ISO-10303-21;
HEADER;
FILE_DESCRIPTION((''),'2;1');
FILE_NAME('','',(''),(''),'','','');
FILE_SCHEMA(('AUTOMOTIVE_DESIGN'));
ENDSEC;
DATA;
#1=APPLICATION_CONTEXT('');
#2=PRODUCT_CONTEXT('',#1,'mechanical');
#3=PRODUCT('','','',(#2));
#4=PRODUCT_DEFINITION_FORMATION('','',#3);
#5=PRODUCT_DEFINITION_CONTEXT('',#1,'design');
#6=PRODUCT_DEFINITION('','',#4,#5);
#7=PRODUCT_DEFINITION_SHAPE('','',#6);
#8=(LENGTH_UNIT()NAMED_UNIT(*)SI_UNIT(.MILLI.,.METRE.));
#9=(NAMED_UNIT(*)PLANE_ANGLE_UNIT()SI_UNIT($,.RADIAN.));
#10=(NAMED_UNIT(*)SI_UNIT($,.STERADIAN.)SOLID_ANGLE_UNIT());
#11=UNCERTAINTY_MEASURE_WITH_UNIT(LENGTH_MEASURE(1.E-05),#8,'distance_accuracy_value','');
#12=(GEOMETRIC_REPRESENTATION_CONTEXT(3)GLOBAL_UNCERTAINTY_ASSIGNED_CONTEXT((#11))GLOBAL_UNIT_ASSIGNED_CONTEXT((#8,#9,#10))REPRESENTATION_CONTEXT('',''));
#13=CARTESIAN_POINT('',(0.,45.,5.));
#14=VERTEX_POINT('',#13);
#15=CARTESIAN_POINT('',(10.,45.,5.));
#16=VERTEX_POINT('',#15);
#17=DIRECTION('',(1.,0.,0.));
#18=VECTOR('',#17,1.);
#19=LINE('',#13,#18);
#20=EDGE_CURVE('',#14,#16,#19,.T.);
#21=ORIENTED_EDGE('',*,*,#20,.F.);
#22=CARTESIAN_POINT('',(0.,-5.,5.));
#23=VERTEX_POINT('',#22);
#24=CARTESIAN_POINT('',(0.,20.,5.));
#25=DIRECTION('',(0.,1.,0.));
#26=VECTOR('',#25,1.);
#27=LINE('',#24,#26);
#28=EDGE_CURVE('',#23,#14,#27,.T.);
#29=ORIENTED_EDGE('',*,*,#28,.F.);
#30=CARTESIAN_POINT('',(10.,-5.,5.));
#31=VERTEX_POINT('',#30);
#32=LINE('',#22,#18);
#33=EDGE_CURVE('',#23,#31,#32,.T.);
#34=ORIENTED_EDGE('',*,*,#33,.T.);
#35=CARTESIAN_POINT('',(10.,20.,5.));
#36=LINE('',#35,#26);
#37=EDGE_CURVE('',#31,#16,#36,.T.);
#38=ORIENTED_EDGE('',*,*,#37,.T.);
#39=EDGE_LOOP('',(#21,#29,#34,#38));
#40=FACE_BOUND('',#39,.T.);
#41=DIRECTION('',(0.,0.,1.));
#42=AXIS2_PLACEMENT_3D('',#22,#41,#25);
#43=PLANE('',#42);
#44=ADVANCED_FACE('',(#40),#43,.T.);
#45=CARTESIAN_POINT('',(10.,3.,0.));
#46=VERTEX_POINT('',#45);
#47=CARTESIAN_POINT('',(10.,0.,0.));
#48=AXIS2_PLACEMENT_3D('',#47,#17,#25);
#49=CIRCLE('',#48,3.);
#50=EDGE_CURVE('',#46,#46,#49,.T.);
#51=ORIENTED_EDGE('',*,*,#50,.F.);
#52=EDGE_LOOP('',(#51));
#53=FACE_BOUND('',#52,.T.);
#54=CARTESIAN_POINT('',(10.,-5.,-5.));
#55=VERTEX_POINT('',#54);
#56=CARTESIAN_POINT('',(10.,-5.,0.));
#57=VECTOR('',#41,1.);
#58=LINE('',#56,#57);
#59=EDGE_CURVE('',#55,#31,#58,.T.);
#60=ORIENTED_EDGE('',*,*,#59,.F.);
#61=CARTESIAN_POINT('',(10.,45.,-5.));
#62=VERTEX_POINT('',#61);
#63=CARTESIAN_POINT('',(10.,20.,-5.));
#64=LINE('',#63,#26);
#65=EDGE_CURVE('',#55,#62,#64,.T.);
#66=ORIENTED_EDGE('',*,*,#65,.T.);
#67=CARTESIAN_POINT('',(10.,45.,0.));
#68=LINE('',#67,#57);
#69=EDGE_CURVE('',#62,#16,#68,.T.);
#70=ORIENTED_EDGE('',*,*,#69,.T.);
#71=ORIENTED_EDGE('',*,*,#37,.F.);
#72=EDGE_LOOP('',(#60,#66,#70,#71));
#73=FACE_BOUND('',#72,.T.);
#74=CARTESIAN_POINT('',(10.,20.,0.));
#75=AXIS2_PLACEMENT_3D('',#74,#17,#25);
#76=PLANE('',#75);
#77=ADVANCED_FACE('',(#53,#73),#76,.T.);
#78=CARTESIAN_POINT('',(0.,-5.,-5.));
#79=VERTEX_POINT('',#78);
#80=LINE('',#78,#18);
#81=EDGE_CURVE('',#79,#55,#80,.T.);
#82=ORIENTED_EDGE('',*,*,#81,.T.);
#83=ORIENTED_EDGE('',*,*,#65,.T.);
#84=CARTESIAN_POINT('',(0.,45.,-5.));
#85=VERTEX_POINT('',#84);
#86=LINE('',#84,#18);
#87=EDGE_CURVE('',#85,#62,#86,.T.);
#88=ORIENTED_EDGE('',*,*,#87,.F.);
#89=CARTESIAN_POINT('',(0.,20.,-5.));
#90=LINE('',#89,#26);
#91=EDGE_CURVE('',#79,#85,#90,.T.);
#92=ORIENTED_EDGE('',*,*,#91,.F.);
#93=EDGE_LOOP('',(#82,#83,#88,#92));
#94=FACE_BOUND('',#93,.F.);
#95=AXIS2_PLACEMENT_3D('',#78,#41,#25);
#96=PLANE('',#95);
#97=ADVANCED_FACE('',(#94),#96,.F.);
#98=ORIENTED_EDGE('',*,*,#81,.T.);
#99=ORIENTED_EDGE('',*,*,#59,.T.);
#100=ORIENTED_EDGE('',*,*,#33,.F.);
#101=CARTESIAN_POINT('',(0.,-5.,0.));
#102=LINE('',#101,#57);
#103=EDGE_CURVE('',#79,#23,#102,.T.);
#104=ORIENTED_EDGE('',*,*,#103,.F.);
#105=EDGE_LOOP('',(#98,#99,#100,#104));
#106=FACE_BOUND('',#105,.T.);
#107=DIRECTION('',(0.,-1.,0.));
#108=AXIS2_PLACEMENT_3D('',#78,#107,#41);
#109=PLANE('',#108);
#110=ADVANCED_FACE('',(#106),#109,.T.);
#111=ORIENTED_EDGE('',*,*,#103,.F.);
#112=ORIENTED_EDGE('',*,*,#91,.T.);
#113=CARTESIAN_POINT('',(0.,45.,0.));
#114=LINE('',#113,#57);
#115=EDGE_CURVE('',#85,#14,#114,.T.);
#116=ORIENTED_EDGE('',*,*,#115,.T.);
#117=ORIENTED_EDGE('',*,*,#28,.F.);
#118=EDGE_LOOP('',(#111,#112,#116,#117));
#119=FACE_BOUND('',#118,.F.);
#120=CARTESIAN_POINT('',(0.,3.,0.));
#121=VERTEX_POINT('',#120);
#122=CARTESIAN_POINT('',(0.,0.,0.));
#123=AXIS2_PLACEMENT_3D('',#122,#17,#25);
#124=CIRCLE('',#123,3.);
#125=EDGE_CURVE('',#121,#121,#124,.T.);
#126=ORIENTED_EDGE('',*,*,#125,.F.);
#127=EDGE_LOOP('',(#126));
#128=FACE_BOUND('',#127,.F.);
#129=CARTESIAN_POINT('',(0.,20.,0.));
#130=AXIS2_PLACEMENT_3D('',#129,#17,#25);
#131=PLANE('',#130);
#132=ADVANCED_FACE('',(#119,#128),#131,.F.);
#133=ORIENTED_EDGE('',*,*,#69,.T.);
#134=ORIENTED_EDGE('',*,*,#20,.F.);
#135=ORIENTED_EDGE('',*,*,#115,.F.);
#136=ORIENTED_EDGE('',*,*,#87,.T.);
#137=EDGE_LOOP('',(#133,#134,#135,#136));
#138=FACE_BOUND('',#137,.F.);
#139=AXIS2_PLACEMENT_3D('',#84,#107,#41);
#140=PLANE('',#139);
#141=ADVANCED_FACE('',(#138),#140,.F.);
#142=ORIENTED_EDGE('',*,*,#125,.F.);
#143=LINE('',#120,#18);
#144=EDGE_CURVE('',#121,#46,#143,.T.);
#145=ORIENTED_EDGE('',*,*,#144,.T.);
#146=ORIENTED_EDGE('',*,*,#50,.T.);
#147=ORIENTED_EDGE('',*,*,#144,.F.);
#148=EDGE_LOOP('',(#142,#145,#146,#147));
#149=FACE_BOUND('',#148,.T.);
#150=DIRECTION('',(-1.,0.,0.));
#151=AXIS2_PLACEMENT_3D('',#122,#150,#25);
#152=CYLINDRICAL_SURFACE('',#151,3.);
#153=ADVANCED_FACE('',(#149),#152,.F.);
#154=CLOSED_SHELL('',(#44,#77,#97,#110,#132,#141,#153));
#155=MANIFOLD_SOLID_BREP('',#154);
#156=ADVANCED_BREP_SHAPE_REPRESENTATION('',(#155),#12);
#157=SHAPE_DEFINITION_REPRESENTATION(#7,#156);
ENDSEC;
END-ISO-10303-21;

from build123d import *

# Parameters (mm, degrees)
SKETCH_W  = 50
SKETCH_H  = 10
SKETCH_R  = 3
PAD_DEPTH = 10


with BuildPart() as part:
    # Sketch → Pad (new body)
    with BuildSketch(Plane.YZ):
        with Locations((20, 0)):
            Rectangle(SKETCH_W, SKETCH_H)
        Circle(SKETCH_R, mode=Mode.SUBTRACT)
    extrude(amount=PAD_DEPTH)


solid = part.part
